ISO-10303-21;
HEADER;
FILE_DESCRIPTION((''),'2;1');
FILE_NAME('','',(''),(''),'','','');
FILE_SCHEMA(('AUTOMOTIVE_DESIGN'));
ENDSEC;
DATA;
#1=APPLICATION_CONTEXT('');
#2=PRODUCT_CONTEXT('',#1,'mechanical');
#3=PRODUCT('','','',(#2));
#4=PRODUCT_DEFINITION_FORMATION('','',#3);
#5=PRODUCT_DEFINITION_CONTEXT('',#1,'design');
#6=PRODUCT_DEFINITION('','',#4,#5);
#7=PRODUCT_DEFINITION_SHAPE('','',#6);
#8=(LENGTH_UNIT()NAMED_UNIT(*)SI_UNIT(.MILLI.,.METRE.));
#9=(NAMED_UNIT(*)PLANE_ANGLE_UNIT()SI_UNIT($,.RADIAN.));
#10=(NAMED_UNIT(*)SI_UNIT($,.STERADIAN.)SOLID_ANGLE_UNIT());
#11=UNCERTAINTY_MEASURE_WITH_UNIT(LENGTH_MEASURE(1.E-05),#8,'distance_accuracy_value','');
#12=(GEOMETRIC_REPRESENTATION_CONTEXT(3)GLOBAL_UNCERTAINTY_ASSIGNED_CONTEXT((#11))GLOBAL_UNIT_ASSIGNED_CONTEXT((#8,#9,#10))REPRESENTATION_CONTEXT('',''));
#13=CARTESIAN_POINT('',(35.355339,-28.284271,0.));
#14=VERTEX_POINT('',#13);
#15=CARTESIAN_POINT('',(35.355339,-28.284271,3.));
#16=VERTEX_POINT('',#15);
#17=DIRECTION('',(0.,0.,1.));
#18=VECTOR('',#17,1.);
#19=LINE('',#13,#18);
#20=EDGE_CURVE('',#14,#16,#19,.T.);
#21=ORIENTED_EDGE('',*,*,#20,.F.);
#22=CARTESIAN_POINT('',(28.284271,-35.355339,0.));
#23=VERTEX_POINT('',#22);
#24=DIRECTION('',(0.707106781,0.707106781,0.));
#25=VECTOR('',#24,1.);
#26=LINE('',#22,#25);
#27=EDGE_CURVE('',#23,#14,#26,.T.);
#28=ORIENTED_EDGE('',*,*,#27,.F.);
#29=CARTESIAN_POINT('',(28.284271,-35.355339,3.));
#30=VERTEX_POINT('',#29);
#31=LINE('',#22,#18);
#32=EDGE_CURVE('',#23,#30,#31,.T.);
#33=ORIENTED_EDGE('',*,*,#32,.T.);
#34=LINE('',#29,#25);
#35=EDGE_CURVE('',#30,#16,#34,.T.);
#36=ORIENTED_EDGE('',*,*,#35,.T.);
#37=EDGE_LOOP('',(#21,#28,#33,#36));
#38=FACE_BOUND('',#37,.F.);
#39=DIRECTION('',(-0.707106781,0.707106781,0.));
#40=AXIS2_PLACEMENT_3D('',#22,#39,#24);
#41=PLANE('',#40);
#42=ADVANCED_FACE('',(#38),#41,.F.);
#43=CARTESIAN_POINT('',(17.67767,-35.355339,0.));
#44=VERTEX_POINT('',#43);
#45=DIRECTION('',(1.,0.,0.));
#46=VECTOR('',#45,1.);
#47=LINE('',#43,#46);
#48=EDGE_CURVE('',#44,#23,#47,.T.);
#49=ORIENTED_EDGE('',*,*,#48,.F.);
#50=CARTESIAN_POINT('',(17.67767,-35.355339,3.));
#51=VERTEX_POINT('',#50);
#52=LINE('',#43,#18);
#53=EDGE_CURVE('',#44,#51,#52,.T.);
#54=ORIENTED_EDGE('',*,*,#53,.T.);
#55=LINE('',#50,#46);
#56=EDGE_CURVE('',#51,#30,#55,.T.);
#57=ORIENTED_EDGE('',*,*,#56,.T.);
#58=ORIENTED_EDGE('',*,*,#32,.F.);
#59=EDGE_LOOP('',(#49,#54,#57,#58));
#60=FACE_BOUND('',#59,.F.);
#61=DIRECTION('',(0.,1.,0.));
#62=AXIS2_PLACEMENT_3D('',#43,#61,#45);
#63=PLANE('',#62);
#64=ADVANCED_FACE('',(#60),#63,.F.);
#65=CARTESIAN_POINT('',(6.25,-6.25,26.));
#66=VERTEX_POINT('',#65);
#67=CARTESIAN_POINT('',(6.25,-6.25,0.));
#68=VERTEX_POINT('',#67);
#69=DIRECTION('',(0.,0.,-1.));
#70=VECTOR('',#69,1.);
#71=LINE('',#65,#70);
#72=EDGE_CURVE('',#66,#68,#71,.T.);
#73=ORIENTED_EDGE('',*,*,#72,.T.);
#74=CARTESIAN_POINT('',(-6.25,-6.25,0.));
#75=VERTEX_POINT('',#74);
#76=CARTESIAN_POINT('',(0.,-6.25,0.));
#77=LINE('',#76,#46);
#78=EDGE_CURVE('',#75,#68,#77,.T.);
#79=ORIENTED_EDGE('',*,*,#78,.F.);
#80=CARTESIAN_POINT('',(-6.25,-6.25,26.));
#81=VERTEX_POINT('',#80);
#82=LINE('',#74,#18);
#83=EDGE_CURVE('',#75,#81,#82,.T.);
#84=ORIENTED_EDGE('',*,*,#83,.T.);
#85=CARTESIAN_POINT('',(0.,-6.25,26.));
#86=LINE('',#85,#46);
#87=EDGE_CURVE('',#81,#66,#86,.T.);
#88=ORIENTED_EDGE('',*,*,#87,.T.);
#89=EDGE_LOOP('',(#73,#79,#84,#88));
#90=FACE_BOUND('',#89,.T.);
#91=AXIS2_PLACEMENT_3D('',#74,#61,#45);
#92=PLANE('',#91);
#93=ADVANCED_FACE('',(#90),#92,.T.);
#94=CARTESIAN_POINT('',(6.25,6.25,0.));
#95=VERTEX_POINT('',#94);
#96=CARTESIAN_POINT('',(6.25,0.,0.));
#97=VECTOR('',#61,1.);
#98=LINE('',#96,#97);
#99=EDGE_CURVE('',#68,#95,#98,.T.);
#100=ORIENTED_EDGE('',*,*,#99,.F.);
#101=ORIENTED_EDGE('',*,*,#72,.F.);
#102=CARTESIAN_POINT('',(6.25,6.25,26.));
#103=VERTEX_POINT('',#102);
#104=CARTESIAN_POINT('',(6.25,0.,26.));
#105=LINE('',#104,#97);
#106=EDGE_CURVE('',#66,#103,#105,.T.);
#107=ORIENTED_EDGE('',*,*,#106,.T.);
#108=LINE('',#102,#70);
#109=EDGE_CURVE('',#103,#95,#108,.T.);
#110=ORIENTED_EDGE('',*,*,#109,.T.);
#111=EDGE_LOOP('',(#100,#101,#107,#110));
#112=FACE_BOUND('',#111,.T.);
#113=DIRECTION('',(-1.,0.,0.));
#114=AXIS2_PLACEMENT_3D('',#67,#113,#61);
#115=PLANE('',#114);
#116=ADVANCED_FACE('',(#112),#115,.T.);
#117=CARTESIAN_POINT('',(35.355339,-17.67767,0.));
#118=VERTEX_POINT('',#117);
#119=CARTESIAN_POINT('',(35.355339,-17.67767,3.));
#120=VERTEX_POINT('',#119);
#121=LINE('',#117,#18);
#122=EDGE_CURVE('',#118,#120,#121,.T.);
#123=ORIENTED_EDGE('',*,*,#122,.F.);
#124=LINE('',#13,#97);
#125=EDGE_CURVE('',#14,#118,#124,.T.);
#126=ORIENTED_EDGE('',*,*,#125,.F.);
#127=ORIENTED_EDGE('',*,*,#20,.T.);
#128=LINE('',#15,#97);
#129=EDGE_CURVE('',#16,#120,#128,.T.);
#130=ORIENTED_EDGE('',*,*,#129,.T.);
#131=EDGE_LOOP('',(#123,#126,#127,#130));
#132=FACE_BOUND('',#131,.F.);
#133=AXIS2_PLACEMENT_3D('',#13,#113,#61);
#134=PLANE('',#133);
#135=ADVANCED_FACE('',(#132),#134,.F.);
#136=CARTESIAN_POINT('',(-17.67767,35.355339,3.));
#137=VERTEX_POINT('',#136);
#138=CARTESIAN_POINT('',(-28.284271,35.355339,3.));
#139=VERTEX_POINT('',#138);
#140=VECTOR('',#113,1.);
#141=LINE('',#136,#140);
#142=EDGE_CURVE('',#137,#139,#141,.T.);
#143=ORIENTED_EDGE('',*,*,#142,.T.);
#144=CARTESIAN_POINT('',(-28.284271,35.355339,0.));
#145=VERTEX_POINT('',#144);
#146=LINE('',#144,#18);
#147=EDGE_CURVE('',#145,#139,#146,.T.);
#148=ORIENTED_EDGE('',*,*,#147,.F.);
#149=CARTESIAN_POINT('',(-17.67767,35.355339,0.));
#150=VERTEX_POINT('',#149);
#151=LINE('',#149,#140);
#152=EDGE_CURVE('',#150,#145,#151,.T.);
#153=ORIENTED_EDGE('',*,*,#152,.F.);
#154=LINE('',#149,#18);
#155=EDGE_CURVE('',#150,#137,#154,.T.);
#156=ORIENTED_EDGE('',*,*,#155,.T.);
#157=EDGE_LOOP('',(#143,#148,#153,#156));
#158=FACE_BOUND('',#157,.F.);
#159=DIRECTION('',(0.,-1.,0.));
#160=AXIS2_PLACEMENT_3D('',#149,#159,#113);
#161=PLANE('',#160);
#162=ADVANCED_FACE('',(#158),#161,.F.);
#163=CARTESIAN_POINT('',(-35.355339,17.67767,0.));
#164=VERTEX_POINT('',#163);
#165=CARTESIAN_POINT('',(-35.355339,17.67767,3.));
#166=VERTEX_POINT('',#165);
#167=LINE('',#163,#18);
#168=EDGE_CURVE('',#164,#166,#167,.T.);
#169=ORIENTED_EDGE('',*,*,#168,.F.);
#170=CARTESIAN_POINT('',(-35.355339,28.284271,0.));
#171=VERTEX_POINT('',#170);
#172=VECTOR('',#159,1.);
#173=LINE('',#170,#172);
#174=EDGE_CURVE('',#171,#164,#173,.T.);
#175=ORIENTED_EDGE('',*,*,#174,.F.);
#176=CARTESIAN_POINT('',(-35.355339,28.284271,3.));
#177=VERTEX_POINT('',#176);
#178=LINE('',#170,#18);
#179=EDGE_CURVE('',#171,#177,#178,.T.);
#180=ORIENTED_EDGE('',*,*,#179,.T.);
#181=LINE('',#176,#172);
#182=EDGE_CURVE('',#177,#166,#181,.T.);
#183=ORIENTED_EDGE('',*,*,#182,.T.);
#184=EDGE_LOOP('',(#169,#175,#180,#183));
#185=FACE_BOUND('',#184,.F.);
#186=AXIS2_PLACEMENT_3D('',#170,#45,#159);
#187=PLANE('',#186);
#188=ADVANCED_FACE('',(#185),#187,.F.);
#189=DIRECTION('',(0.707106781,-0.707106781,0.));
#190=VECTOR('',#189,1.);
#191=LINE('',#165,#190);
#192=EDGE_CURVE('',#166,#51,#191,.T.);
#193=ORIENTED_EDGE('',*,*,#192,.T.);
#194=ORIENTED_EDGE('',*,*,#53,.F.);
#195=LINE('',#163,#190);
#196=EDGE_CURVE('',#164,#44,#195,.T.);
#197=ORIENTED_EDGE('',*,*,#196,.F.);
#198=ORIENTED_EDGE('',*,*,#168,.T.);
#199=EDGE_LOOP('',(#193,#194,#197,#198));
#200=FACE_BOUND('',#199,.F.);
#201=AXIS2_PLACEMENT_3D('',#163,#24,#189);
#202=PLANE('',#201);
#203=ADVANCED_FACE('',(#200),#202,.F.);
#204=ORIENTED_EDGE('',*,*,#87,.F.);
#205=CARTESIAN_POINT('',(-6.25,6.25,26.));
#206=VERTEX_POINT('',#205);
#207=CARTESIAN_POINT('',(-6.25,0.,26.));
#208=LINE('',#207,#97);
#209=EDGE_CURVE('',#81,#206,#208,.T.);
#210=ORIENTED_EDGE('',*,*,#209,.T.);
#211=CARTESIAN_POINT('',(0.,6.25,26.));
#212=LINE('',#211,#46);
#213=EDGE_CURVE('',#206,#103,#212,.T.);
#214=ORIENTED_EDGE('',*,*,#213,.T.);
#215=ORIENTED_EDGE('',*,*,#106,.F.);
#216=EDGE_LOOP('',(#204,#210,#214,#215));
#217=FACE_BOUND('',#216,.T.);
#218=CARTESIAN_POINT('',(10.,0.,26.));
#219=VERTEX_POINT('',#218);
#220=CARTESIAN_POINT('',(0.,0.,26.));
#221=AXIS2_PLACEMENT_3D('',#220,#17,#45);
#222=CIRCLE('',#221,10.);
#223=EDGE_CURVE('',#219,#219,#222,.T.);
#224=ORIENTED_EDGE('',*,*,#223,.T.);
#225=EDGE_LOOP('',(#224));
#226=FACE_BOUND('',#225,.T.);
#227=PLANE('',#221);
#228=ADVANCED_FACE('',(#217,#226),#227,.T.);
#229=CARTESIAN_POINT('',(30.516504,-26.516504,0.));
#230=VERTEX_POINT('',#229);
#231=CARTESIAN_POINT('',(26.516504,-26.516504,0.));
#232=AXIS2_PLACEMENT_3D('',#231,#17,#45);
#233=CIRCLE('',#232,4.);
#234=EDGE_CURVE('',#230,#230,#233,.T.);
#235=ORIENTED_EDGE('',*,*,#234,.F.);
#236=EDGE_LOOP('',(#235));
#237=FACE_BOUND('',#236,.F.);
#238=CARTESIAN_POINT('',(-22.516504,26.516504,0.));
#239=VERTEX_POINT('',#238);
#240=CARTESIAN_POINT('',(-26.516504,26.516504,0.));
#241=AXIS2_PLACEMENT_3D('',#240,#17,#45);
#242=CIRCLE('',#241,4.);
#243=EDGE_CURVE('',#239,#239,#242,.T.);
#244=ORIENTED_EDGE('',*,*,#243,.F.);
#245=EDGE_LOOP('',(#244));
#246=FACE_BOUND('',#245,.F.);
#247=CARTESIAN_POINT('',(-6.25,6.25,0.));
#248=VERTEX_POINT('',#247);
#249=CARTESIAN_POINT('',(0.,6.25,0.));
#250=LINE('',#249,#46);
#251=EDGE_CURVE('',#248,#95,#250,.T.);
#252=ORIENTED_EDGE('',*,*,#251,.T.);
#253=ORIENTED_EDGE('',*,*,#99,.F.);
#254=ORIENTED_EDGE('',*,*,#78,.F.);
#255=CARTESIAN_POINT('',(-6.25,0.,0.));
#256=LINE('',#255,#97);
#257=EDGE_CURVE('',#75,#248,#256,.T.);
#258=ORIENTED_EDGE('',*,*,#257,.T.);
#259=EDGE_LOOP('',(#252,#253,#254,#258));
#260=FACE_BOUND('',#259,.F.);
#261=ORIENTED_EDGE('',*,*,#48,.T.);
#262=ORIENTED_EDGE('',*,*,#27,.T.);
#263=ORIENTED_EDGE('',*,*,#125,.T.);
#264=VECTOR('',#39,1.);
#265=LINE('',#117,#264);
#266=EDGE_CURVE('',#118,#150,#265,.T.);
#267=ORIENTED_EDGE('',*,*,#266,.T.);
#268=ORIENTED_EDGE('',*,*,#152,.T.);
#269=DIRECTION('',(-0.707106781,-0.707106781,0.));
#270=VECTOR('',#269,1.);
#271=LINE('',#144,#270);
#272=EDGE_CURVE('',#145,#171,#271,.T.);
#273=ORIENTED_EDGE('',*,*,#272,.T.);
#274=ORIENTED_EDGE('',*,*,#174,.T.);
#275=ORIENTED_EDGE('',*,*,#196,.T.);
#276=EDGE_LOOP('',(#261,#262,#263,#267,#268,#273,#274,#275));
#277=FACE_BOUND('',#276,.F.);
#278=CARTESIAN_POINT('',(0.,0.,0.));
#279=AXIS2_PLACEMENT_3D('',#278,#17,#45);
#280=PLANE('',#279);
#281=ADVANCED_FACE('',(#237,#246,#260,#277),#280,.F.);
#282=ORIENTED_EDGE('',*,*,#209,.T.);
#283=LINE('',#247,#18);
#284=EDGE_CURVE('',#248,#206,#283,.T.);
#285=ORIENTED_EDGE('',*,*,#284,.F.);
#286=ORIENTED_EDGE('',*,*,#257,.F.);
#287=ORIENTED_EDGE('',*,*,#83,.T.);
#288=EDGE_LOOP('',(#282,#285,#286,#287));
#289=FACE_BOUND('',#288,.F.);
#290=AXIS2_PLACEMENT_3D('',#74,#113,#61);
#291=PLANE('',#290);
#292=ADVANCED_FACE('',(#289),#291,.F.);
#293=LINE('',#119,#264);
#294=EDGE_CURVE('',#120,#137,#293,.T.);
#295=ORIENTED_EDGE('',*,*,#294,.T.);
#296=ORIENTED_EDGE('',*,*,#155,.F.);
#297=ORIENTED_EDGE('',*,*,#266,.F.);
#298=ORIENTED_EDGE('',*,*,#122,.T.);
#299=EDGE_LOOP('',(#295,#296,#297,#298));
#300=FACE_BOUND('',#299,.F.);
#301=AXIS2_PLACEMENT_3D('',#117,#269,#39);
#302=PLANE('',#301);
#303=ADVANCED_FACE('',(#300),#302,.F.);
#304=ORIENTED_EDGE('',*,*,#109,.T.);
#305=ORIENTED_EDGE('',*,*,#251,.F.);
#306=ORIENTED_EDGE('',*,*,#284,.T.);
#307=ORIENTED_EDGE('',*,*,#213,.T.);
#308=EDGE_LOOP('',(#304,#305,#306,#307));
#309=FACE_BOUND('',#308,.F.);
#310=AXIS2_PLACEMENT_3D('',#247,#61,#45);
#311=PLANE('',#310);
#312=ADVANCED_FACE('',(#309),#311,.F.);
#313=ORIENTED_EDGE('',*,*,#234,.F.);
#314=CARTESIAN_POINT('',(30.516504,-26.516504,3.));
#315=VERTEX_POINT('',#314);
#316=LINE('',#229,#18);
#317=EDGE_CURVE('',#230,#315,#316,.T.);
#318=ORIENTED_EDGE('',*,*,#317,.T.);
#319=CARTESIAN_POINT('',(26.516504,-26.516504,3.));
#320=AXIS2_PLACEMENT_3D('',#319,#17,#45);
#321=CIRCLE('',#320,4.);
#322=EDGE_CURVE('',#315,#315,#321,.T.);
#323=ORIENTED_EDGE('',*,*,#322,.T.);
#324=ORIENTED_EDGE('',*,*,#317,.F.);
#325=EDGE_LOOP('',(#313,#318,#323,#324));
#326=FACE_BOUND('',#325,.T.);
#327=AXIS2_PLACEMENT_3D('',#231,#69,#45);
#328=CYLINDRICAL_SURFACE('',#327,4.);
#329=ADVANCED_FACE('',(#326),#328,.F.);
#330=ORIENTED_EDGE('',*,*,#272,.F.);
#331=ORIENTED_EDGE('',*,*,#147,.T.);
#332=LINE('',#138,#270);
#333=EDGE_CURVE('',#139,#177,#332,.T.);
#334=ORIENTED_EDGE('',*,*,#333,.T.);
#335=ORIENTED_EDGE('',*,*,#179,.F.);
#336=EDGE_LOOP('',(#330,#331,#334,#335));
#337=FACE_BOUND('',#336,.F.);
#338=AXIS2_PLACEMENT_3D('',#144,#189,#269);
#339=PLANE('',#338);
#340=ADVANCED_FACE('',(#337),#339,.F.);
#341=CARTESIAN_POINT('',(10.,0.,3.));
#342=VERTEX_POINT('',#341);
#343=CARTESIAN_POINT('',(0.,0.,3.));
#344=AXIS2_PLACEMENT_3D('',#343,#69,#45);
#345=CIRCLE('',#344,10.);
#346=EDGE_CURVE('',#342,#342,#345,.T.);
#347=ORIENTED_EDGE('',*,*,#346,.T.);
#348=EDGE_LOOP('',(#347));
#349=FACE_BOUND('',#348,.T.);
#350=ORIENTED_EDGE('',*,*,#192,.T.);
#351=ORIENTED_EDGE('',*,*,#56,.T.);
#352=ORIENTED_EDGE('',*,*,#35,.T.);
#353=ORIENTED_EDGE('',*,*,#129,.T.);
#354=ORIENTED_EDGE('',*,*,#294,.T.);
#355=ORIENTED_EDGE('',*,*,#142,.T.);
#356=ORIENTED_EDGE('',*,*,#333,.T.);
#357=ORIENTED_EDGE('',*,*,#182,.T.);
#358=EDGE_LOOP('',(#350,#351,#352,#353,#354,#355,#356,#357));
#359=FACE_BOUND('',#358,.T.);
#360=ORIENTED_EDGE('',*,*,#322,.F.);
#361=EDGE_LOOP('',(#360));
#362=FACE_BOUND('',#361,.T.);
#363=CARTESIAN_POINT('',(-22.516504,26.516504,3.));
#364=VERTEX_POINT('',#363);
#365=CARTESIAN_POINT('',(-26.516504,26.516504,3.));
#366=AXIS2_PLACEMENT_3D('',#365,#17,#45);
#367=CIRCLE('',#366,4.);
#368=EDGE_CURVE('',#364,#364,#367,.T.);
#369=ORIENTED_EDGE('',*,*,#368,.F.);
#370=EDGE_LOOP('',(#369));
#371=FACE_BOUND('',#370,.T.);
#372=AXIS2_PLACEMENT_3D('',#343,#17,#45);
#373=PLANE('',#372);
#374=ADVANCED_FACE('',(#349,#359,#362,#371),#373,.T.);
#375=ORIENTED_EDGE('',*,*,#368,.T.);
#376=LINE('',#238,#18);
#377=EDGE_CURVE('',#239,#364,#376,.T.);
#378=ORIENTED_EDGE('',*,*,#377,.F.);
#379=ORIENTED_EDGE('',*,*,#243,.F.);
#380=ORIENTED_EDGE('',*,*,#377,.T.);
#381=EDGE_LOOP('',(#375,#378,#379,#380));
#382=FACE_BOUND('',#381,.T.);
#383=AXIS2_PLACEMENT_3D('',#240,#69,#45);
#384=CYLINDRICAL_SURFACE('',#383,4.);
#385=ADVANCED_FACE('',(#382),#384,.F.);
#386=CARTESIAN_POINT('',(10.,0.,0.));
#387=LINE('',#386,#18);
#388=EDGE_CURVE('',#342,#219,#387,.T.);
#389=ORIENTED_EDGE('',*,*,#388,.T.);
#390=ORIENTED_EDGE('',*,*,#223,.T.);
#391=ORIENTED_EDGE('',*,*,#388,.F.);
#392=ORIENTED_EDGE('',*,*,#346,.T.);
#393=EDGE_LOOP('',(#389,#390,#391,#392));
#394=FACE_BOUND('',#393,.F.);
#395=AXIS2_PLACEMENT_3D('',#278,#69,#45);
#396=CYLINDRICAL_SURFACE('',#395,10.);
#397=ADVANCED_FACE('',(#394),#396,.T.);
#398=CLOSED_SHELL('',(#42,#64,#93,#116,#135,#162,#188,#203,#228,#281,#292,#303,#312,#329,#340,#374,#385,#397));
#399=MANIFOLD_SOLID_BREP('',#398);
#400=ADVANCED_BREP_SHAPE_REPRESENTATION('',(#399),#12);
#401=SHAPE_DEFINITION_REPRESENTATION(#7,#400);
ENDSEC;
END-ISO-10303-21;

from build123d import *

# Parameters (mm, degrees)
F0_R     = 4
F0_R_2   = 10
F0_W     = 12.5
F0_H     = 12.5
F1_DEPTH = 3
F2_DEPTH = 26


with BuildPart() as f1:
    # F0 (on Top) → F1 (new body)
    with BuildSketch(Plane.XY):
        Polygon((-17.67767, 35.355339), (-28.284271, 35.355339), (-35.355339, 28.284271), (-35.355339, 17.67767), (17.67767, -35.355339), (28.284271, -35.355339), (35.355339, -28.284271), (35.355339, -17.67767), align=None)
        with Locations((26.516504, -26.516504)):
            Circle(F0_R, mode=Mode.SUBTRACT)
        with Locations((-26.516504, 26.516504)):
            Circle(F0_R, mode=Mode.SUBTRACT)
        Circle(F0_R_2, mode=Mode.SUBTRACT)
        Circle(F0_R_2)
        Rectangle(F0_W, F0_H, mode=Mode.SUBTRACT)
    extrude(amount=F1_DEPTH)

    # F0 (on Top) → F2 (join)
    with BuildSketch(Plane.XY):
        Circle(F0_R_2)
        Rectangle(F0_W, F0_H, mode=Mode.SUBTRACT)
    extrude(amount=F2_DEPTH)


solid = f1.part
